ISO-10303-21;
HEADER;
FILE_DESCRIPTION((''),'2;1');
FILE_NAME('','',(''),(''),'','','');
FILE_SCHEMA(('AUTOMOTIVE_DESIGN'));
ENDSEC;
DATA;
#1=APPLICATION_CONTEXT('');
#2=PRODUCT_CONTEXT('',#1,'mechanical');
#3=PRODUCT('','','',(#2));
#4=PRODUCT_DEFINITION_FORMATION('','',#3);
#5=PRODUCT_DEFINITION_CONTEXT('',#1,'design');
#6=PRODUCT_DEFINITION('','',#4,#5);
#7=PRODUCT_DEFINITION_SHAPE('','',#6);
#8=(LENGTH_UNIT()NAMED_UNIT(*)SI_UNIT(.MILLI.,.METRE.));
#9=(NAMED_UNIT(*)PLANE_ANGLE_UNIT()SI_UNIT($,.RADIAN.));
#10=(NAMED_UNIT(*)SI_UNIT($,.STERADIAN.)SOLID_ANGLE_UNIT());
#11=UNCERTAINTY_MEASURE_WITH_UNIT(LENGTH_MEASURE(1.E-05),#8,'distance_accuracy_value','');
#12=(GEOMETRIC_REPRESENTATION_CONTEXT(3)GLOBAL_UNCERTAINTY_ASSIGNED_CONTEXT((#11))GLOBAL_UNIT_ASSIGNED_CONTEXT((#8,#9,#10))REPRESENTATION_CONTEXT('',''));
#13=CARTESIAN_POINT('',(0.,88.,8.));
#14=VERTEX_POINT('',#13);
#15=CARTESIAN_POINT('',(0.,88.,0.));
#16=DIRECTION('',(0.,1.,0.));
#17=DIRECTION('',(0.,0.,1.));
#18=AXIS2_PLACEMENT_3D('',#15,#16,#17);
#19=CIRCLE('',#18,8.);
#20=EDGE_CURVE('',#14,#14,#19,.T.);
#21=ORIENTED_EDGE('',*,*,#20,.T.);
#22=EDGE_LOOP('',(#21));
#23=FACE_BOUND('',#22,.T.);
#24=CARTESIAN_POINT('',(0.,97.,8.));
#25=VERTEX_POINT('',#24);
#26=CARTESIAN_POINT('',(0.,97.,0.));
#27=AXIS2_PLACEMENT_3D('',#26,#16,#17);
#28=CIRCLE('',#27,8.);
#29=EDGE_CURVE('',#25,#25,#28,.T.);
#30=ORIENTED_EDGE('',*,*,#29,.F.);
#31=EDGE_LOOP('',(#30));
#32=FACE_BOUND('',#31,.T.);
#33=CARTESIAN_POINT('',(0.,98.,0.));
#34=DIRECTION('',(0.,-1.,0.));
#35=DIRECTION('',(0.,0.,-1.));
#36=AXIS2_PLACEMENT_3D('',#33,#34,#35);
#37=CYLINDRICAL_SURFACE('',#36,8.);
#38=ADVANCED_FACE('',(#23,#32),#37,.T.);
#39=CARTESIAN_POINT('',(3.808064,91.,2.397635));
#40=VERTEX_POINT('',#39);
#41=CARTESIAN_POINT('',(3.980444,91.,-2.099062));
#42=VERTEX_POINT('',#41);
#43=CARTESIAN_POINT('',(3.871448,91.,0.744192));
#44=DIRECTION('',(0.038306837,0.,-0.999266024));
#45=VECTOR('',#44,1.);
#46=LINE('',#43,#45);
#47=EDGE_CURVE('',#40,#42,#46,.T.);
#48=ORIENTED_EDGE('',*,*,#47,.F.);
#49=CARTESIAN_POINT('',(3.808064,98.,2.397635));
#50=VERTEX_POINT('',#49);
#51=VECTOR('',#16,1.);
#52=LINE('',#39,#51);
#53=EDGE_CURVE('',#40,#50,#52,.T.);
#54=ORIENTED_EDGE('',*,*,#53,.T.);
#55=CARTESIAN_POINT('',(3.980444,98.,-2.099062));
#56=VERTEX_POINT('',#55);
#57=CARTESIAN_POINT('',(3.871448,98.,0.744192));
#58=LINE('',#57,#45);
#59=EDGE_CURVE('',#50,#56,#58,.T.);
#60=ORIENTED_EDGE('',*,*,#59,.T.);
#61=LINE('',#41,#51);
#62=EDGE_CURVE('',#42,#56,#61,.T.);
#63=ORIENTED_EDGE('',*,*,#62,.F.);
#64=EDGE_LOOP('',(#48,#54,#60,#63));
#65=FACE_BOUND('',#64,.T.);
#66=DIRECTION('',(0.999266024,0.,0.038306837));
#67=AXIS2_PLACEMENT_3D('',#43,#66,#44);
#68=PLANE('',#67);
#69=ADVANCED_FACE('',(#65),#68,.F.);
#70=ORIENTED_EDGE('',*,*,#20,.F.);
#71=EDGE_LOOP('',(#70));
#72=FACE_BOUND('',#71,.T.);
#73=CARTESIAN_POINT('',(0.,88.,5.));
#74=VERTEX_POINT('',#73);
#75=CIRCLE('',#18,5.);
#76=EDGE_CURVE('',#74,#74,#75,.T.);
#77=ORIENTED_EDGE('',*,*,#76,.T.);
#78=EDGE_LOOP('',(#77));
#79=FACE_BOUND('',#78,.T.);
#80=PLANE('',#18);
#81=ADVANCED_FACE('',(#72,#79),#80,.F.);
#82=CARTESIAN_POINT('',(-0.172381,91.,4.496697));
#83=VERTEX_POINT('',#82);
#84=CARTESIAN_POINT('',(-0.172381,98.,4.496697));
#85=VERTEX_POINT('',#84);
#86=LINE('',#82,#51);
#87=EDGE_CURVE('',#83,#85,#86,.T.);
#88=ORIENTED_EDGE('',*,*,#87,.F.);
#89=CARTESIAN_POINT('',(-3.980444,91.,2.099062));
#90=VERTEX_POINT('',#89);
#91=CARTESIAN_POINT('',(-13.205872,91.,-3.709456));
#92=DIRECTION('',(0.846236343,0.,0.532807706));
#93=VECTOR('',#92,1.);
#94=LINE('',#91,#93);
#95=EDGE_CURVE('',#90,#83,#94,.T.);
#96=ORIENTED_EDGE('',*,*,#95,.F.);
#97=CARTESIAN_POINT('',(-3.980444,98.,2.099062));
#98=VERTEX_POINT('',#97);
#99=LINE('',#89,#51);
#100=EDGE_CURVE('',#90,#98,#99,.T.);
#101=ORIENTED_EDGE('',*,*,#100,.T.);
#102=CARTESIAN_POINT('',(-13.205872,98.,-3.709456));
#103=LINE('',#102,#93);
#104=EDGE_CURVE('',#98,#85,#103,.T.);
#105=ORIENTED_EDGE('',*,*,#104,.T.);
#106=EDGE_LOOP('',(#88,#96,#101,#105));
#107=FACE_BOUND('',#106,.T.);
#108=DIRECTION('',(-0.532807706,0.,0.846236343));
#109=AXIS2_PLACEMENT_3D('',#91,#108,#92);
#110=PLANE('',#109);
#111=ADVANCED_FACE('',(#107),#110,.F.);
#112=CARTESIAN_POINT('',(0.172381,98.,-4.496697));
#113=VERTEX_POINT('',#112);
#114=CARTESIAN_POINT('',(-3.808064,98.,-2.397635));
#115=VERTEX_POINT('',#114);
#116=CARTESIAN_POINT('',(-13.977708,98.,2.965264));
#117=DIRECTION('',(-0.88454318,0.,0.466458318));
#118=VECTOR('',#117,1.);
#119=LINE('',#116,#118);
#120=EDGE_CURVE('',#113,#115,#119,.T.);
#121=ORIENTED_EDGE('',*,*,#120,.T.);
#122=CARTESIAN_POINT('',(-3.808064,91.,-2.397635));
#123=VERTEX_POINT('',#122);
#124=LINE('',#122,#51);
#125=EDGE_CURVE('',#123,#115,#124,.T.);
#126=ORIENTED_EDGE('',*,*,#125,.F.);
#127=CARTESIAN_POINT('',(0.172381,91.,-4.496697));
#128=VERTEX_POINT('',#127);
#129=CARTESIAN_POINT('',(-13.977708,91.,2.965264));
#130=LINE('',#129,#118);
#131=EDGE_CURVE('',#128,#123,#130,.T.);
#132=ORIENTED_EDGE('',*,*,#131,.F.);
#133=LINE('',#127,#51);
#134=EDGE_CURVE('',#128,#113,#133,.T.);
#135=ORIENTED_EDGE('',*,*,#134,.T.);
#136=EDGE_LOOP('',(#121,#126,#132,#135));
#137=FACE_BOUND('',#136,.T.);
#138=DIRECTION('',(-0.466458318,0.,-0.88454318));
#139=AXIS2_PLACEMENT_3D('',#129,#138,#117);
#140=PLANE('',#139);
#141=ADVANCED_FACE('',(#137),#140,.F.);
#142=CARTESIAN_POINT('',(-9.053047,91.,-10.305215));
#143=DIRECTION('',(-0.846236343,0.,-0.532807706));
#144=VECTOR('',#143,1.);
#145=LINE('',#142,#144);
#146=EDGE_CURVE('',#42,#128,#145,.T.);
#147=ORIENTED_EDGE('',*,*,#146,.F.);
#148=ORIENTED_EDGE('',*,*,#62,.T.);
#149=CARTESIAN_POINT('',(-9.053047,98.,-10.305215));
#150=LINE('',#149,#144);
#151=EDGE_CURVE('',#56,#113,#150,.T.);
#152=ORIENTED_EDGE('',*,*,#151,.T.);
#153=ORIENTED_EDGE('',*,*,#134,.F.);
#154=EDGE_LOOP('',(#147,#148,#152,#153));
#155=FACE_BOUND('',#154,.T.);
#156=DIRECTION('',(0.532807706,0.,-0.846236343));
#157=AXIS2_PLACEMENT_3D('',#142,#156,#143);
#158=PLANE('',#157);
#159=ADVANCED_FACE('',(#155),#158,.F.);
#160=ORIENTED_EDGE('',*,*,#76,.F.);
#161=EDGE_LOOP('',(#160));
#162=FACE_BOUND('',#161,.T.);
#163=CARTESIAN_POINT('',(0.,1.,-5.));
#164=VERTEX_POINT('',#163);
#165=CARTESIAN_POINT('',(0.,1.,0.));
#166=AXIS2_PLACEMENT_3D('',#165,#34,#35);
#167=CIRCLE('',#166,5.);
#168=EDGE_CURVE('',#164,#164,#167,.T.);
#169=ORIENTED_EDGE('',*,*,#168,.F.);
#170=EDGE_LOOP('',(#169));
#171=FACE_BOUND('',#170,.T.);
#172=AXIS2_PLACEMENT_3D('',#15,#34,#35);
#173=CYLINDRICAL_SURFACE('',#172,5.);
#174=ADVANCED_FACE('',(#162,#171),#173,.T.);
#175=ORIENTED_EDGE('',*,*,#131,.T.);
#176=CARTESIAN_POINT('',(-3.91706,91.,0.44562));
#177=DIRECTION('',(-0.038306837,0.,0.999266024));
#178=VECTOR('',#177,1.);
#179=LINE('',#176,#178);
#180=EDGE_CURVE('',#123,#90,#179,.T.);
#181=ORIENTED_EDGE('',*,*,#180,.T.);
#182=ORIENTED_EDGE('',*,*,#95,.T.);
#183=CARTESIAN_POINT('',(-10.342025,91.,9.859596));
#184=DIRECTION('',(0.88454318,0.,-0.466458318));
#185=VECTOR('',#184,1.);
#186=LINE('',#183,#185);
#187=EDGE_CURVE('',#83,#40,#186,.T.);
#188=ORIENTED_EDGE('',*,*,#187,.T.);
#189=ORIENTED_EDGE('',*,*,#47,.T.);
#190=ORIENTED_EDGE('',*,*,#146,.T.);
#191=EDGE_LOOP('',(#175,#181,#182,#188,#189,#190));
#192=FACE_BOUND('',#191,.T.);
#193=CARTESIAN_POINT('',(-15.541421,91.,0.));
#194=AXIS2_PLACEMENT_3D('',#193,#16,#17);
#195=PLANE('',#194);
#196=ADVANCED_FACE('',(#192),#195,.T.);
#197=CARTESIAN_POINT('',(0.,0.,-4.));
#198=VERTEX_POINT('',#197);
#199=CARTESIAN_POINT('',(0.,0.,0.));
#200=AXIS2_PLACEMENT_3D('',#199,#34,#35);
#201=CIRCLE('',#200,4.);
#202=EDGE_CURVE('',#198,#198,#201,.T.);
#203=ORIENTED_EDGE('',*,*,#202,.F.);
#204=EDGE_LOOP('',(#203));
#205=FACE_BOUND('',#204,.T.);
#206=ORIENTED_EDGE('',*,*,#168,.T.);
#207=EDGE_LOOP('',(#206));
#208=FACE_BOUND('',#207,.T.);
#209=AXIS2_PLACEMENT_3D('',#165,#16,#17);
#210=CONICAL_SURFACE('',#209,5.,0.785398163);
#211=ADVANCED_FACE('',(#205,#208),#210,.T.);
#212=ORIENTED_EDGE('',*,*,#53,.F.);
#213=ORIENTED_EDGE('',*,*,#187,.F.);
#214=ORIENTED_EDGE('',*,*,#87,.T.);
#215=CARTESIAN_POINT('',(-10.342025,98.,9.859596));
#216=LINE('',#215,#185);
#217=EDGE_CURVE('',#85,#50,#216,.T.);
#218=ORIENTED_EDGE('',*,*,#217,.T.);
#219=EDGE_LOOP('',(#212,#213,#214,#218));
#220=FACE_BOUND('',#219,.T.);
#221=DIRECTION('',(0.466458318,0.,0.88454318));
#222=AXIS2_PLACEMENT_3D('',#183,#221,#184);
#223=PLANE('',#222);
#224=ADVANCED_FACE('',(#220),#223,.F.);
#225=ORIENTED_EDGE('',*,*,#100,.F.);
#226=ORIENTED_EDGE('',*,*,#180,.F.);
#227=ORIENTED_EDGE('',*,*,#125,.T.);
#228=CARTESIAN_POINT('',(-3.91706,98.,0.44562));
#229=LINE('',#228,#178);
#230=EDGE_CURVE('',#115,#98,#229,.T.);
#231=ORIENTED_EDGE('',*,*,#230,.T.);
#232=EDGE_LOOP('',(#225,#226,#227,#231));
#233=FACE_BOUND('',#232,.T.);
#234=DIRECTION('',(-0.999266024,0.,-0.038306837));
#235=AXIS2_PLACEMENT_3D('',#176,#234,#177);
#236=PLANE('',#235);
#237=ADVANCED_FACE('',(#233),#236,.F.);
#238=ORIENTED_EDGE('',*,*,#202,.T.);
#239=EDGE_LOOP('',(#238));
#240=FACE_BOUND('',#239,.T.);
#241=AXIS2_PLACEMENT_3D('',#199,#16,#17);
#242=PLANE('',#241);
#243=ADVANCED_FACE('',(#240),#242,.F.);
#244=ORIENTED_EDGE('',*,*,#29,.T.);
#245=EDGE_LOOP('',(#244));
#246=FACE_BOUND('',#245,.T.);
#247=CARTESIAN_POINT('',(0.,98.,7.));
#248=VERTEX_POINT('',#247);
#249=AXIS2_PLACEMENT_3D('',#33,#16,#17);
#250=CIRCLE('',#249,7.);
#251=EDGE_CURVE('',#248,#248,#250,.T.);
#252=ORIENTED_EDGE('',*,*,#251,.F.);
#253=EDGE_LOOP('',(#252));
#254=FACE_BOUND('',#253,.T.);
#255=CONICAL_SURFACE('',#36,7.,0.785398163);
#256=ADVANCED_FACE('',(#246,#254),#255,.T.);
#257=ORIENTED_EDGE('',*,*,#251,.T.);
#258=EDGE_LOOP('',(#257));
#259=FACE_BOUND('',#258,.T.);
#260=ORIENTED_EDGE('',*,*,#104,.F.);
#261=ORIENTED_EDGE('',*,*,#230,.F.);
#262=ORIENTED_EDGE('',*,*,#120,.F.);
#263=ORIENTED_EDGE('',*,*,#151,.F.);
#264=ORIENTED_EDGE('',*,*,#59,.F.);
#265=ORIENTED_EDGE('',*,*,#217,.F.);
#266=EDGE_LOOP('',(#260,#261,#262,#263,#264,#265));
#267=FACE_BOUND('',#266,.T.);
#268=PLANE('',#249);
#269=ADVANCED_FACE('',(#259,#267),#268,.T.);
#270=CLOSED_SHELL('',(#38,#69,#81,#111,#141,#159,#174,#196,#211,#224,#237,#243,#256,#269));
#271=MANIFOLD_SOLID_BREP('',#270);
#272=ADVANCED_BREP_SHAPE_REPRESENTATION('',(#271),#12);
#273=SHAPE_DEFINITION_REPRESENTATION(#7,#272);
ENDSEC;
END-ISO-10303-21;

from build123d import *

# Parameters (mm, degrees)
SKETCH1_R           = 5
BOSS_EXTRUDE1_DEPTH = 88
SKETCH2_R           = 8
BOSS_EXTRUDE2_DEPTH = 10
CUT_EXTRUDE1_DEPTH  = 7


with BuildPart() as part:
    # Sketch1 → Boss-Extrude1 (new body)
    with BuildSketch(Plane(origin=(0, 0, 0), x_dir=(1, 0, 0), z_dir=(0, 1, 0))):
        with Locations(Location((0, 0, 0), (0, 0, 270))):
            Circle(SKETCH1_R)
    extrude(amount=BOSS_EXTRUDE1_DEPTH)

    # Sketch2 → Boss-Extrude2 (add)
    with BuildSketch(Plane(origin=(0, 88, 0), x_dir=(1, 0, 0), z_dir=(0, 1, 0))):
        with Locations(Location((0, 0, 0), (0, 0, 270))):
            Circle(SKETCH2_R)
    extrude(amount=BOSS_EXTRUDE2_DEPTH)

    # Sketch3 → Cut-Revolve1 (revolve, cut)
    with BuildSketch(Plane.XY, mode=Mode.PRIVATE) as cut_revolve1_sk:
        Polygon((8, 98), (8, 97), (7, 98), align=None)
    revolve(cut_revolve1_sk.sketch.rotate(Axis((0, 98, 0), (0, -1, 0)), 90), axis=Axis((0, 98, 0), (0, -1, 0)), mode=Mode.SUBTRACT)

    # Sketch4 → Cut-Revolve2 (revolve, cut)
    with BuildSketch(Plane.XY, mode=Mode.PRIVATE) as cut_revolve2_sk:
        Polygon((5, 0), (4, 0), (5, 1), align=None)
    revolve(cut_revolve2_sk.sketch.rotate(Axis((0, 0, 0), (0, 1, 0)), 90), axis=Axis((0, 0, 0), (0, 1, 0)), mode=Mode.SUBTRACT)

    # Sketch5 → Cut-Extrude1 (cut)
    with BuildSketch(Plane(origin=(0, 98, 0), x_dir=(1, 0, 0), z_dir=(0, 1, 0))):
        Polygon((-0.172380767, -4.496697107), (3.808063544, -2.397634677), (3.980444311, 2.09906243), (0.172380767, 4.496697107), (-3.808063544, 2.397634677), (-3.980444311, -2.09906243), align=None)
    extrude(amount=-CUT_EXTRUDE1_DEPTH, mode=Mode.SUBTRACT)


solid = part.part
